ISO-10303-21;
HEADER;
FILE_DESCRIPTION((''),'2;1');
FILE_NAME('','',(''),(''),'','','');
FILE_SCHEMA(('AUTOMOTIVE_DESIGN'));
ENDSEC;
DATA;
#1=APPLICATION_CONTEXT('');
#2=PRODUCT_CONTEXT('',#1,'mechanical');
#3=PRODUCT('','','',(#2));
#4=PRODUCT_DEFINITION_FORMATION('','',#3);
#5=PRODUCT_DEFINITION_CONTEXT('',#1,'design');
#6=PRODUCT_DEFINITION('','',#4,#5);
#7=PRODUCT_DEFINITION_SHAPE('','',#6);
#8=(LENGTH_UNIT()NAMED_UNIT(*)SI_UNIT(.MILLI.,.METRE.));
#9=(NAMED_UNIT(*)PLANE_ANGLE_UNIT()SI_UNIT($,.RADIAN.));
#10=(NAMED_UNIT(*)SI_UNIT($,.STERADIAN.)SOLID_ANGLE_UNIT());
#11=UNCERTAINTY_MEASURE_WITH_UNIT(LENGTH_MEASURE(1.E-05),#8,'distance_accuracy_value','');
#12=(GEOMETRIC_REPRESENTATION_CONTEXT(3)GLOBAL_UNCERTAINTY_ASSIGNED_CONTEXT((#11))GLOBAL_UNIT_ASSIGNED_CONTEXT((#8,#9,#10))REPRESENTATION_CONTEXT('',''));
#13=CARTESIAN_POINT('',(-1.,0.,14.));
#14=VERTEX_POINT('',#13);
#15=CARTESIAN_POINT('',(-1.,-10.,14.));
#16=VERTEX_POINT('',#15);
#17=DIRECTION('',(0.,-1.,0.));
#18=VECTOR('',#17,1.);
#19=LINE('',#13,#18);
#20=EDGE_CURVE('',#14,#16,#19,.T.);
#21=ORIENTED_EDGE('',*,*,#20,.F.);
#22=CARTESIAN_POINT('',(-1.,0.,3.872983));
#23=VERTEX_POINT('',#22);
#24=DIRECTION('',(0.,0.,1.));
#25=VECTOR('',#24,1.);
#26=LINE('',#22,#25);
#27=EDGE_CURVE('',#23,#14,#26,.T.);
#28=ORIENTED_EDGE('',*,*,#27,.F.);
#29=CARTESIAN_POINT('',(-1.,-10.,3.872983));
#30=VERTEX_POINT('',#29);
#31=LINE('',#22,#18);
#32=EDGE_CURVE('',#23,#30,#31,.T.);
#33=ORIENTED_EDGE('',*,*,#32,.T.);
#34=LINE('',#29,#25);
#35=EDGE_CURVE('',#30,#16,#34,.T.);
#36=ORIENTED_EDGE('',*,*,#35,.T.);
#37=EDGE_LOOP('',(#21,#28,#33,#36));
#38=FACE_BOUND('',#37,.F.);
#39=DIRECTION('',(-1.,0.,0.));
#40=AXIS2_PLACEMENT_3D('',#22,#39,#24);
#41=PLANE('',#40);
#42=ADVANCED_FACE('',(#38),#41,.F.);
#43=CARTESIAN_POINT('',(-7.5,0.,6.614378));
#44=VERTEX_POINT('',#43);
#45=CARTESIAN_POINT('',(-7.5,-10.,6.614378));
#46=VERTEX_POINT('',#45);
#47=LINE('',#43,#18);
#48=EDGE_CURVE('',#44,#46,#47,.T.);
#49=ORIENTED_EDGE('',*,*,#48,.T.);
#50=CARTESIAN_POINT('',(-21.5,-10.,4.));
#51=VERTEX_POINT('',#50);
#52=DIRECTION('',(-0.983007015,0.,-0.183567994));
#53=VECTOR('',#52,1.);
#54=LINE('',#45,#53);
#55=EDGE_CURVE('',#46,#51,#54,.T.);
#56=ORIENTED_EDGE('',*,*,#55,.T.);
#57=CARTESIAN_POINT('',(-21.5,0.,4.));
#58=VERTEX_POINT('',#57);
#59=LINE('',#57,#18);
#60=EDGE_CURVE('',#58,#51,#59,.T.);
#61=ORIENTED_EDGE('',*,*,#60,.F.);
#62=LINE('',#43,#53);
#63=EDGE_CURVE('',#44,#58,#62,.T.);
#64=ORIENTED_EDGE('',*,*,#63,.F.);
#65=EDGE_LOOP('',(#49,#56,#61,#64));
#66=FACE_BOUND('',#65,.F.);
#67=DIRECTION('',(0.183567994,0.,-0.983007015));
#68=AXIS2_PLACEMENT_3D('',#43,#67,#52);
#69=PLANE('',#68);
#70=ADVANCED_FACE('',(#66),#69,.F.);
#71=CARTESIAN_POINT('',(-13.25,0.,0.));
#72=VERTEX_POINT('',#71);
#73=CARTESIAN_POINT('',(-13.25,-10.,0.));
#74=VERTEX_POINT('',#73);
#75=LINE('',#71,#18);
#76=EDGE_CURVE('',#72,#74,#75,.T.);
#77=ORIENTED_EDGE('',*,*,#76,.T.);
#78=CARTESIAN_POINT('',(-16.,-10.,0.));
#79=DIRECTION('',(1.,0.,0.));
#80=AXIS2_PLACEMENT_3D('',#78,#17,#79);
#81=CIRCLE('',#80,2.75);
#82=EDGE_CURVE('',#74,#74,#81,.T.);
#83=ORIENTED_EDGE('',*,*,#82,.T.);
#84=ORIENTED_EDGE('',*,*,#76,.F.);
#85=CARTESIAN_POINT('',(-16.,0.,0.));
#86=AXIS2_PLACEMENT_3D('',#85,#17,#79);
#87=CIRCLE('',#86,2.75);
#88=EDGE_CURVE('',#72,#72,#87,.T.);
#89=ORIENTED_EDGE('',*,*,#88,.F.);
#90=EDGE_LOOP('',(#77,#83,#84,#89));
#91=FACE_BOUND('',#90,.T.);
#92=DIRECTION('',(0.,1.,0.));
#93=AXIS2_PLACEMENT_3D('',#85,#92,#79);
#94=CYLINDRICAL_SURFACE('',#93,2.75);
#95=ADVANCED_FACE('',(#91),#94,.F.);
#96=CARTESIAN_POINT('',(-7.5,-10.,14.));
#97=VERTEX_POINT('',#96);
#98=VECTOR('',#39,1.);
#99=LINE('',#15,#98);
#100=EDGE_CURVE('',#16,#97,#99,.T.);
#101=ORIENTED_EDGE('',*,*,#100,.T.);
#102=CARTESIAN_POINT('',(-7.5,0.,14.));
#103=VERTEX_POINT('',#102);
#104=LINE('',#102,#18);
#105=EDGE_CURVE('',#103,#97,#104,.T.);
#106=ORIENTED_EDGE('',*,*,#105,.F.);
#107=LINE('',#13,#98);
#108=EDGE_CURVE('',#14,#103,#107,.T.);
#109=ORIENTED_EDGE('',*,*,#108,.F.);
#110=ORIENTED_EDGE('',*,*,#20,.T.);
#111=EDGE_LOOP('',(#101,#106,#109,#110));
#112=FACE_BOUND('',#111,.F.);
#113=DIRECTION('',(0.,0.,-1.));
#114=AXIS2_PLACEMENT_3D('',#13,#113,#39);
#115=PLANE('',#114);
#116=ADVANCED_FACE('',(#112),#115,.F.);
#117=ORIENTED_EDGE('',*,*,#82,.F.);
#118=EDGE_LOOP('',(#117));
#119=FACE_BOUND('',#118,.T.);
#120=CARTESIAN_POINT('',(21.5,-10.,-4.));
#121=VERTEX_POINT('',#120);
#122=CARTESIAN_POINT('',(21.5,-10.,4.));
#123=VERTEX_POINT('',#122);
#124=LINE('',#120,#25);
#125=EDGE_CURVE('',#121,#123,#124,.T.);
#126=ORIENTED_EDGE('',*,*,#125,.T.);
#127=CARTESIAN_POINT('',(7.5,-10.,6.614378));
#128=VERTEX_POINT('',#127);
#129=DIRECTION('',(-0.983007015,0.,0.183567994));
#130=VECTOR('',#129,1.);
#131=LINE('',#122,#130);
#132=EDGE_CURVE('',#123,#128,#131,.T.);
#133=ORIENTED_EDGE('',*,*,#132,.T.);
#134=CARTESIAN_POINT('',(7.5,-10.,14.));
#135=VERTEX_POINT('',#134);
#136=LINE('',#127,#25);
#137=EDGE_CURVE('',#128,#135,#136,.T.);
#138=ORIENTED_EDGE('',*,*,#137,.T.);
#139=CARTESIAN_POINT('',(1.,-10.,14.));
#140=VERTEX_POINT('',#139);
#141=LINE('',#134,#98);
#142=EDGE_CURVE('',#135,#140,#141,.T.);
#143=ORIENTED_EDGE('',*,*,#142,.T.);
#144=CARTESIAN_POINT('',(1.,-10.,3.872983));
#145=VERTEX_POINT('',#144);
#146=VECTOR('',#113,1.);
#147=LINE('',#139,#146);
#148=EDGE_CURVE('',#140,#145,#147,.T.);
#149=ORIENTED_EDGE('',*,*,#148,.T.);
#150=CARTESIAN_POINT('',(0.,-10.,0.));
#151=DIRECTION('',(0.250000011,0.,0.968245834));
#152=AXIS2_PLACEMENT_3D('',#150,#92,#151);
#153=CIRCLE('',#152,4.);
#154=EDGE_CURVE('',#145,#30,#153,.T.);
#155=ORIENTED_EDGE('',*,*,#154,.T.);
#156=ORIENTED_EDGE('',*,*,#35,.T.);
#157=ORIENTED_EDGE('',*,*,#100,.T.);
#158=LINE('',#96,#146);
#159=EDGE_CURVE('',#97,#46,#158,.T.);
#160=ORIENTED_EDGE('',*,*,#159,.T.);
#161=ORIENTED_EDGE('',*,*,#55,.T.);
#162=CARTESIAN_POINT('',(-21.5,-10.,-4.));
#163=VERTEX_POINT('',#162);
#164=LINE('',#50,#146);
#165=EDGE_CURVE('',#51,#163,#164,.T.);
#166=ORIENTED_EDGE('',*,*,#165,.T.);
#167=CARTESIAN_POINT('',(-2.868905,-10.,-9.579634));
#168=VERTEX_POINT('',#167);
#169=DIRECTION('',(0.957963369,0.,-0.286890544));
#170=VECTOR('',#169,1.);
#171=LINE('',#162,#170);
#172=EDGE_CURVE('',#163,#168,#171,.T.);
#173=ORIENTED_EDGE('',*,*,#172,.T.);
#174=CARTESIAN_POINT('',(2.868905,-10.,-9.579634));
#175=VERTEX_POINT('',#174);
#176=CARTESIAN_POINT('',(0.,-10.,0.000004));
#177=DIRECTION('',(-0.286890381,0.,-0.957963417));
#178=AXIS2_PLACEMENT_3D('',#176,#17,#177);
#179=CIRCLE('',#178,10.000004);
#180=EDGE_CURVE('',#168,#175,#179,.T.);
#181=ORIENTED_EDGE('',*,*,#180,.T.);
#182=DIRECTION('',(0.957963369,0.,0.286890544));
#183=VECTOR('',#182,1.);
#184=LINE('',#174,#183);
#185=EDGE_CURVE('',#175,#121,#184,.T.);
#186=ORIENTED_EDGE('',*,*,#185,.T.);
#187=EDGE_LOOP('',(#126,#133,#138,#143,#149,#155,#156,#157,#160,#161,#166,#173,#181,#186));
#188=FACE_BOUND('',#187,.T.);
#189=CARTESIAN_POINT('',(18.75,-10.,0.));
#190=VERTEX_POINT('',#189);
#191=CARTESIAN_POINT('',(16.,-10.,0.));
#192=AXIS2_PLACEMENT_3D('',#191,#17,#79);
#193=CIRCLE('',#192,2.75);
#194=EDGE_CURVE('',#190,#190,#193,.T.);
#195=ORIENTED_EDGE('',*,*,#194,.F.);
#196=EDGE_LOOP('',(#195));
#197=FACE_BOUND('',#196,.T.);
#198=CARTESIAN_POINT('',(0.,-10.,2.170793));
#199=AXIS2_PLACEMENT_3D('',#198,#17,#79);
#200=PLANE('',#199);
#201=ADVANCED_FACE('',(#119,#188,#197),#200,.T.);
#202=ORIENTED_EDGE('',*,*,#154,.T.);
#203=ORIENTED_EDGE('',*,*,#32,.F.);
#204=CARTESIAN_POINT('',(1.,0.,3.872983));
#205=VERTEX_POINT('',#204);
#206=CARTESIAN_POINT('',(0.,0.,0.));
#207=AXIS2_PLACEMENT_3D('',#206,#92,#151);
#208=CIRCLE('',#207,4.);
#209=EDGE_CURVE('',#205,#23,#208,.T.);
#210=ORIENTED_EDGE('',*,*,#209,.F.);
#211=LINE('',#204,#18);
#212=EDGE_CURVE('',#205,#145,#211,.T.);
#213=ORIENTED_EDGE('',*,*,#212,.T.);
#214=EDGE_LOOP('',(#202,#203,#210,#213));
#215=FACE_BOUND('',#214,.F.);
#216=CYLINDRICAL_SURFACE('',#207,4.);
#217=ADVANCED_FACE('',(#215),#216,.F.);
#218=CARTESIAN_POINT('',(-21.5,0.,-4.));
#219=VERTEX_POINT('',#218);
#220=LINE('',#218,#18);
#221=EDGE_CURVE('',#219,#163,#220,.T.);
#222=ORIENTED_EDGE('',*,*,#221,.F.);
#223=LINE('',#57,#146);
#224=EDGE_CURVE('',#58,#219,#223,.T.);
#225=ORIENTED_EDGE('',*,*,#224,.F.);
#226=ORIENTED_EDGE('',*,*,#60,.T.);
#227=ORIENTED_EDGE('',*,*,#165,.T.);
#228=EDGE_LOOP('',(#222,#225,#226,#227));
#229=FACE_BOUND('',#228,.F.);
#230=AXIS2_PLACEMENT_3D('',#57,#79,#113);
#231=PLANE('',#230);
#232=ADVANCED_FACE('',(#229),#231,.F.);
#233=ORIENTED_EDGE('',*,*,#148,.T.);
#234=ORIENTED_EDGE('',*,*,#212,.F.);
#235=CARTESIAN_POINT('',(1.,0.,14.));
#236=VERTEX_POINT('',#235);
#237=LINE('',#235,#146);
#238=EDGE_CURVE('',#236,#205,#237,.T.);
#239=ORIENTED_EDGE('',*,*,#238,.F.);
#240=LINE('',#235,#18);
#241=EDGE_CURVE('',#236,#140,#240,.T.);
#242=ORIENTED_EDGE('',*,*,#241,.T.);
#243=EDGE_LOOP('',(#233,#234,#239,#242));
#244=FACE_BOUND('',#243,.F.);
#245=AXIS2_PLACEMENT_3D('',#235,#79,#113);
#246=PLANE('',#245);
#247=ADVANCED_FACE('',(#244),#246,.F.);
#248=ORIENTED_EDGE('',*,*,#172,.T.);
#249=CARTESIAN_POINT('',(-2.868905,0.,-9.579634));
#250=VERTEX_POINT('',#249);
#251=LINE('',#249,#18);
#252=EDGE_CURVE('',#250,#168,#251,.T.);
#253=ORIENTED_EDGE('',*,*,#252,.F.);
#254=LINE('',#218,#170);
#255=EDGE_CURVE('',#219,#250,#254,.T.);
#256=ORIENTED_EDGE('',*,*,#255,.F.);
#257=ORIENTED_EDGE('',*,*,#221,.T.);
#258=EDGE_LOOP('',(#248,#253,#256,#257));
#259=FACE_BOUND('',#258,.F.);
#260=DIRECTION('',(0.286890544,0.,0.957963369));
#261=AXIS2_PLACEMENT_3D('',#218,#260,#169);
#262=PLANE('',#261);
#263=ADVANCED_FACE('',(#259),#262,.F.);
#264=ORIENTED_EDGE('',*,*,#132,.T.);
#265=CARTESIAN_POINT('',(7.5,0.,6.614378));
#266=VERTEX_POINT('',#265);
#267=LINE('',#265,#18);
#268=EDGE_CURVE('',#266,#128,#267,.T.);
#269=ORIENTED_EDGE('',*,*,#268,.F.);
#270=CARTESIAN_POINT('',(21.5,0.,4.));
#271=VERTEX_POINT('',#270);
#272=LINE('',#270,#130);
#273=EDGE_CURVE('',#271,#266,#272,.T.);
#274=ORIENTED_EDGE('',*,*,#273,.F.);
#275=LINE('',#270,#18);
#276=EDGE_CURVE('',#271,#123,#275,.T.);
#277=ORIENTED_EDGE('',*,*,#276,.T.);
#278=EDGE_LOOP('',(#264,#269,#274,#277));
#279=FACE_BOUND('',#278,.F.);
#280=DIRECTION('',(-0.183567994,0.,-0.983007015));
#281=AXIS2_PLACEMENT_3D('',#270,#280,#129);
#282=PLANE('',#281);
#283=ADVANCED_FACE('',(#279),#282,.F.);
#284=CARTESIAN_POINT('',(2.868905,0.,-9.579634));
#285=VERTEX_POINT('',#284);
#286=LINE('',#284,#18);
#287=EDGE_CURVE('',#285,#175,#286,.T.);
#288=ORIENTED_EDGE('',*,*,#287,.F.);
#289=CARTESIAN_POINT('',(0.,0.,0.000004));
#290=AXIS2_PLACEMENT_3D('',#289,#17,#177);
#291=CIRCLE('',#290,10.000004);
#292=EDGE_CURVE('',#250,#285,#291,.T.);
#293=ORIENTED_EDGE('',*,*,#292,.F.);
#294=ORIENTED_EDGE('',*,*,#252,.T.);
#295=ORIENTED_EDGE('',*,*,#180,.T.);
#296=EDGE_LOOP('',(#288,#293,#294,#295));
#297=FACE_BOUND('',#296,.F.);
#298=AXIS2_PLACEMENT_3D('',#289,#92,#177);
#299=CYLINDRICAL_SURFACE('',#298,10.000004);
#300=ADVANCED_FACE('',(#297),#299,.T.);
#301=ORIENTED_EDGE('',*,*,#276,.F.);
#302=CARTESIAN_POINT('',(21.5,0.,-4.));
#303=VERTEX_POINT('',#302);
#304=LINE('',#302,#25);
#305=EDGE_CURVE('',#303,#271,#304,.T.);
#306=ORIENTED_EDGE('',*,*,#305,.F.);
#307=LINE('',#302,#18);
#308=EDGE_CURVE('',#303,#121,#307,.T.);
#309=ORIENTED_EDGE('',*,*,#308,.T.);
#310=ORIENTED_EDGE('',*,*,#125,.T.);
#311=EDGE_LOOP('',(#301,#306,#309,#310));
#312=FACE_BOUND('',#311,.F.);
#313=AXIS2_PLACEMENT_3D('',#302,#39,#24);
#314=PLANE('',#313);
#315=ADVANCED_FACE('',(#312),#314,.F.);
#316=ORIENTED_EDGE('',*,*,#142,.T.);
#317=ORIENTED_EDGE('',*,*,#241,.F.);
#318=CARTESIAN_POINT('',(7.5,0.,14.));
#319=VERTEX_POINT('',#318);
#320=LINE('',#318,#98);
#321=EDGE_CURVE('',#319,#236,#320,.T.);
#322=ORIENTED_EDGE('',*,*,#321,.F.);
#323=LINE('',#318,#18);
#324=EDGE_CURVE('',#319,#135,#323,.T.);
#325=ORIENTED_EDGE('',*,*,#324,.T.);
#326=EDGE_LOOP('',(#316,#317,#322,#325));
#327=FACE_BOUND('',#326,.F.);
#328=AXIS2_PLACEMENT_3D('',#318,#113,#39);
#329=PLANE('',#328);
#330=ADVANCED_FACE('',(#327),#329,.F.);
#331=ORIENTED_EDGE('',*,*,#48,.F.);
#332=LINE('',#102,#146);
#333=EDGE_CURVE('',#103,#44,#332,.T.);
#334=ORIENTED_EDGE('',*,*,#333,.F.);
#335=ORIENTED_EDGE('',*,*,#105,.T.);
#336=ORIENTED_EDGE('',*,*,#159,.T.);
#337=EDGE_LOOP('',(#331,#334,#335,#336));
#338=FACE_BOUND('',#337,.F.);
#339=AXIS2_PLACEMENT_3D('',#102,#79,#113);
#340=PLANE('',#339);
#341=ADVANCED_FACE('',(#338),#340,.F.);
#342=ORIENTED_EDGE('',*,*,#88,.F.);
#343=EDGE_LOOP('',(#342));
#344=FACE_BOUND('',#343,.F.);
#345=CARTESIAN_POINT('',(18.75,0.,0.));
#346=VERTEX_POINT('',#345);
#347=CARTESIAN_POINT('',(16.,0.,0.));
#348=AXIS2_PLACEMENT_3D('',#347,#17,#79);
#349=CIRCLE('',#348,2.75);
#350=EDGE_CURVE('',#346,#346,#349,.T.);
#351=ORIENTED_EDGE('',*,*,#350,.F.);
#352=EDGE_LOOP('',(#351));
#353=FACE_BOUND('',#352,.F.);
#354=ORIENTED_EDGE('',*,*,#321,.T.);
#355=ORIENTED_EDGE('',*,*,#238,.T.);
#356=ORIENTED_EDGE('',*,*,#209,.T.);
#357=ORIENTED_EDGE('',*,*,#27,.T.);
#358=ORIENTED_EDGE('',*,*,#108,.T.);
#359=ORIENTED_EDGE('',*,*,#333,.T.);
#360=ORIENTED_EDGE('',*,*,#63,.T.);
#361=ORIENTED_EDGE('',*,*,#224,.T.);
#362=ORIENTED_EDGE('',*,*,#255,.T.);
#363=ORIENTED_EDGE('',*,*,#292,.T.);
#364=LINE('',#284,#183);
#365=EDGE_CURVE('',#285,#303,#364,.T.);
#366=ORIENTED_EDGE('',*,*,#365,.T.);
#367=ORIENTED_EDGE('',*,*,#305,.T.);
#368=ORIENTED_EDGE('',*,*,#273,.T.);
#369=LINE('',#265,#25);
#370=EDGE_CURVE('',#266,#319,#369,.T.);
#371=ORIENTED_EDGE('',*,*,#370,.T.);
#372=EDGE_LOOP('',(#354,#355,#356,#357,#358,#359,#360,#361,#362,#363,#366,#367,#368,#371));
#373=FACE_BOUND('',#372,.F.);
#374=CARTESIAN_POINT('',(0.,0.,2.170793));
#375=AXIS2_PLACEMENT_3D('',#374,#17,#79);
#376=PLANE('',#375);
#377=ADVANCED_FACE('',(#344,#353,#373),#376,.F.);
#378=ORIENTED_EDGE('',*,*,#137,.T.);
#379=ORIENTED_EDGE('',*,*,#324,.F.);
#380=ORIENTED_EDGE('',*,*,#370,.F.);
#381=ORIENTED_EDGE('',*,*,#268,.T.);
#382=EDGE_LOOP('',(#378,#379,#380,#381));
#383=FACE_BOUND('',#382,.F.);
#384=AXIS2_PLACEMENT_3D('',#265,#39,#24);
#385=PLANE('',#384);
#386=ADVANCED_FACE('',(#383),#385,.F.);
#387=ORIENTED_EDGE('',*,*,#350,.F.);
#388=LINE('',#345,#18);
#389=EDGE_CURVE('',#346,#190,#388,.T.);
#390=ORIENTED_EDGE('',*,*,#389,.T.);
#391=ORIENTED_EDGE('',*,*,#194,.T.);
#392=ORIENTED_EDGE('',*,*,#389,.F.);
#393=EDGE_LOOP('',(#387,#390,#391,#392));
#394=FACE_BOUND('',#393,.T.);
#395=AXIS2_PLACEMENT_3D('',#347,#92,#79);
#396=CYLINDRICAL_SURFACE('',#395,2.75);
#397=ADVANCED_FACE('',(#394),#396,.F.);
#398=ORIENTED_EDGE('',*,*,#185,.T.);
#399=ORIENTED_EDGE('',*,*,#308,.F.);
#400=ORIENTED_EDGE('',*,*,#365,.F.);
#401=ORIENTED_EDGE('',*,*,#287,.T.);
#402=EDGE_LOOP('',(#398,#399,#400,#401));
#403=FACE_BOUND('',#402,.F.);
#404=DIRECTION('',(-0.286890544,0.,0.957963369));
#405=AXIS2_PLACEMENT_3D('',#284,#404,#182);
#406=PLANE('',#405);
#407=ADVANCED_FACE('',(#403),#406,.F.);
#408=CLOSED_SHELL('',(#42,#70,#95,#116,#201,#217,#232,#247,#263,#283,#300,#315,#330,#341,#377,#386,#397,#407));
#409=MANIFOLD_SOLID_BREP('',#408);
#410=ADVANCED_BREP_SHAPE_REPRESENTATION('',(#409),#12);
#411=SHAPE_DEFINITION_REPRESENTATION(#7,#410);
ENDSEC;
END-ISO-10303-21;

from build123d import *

# Parameters (mm, degrees)
F0_R     = 2.75
F1_DEPTH = 10


with BuildPart() as f1:
    # F0 (on Front) → F1 (new body)
    with BuildSketch(Plane.XZ):
        with BuildLine():
            Line((-21.5, -4), (-2.868905, -9.579634))
            ThreePointArc((-2.868905, -9.579634), (0, -10), (2.868905, -9.579634))
            Line((2.868905, -9.579634), (21.5, -4))
            Line((21.5, -4), (21.5, 4))
            Line((21.5, 4), (7.5, 6.614378))
            Line((7.5, 6.614378), (7.5, 14))
            Line((7.5, 14), (1, 14))
            Line((1, 14), (1, 3.872983))
            ThreePointArc((1, 3.872983), (0, -4), (-1, 3.872983))
            Line((-1, 3.872983), (-1, 14))
            Line((-1, 14), (-7.5, 14))
            Line((-7.5, 14), (-7.5, 6.614378))
            Line((-7.5, 6.614378), (-21.5, 4))
            Line((-21.5, 4), (-21.5, -4))
        make_face()
        with Locations((-16, 0)):
            Circle(F0_R, mode=Mode.SUBTRACT)
        with Locations((16, 0)):
            Circle(F0_R, mode=Mode.SUBTRACT)
    extrude(amount=F1_DEPTH)


solid = f1.part
